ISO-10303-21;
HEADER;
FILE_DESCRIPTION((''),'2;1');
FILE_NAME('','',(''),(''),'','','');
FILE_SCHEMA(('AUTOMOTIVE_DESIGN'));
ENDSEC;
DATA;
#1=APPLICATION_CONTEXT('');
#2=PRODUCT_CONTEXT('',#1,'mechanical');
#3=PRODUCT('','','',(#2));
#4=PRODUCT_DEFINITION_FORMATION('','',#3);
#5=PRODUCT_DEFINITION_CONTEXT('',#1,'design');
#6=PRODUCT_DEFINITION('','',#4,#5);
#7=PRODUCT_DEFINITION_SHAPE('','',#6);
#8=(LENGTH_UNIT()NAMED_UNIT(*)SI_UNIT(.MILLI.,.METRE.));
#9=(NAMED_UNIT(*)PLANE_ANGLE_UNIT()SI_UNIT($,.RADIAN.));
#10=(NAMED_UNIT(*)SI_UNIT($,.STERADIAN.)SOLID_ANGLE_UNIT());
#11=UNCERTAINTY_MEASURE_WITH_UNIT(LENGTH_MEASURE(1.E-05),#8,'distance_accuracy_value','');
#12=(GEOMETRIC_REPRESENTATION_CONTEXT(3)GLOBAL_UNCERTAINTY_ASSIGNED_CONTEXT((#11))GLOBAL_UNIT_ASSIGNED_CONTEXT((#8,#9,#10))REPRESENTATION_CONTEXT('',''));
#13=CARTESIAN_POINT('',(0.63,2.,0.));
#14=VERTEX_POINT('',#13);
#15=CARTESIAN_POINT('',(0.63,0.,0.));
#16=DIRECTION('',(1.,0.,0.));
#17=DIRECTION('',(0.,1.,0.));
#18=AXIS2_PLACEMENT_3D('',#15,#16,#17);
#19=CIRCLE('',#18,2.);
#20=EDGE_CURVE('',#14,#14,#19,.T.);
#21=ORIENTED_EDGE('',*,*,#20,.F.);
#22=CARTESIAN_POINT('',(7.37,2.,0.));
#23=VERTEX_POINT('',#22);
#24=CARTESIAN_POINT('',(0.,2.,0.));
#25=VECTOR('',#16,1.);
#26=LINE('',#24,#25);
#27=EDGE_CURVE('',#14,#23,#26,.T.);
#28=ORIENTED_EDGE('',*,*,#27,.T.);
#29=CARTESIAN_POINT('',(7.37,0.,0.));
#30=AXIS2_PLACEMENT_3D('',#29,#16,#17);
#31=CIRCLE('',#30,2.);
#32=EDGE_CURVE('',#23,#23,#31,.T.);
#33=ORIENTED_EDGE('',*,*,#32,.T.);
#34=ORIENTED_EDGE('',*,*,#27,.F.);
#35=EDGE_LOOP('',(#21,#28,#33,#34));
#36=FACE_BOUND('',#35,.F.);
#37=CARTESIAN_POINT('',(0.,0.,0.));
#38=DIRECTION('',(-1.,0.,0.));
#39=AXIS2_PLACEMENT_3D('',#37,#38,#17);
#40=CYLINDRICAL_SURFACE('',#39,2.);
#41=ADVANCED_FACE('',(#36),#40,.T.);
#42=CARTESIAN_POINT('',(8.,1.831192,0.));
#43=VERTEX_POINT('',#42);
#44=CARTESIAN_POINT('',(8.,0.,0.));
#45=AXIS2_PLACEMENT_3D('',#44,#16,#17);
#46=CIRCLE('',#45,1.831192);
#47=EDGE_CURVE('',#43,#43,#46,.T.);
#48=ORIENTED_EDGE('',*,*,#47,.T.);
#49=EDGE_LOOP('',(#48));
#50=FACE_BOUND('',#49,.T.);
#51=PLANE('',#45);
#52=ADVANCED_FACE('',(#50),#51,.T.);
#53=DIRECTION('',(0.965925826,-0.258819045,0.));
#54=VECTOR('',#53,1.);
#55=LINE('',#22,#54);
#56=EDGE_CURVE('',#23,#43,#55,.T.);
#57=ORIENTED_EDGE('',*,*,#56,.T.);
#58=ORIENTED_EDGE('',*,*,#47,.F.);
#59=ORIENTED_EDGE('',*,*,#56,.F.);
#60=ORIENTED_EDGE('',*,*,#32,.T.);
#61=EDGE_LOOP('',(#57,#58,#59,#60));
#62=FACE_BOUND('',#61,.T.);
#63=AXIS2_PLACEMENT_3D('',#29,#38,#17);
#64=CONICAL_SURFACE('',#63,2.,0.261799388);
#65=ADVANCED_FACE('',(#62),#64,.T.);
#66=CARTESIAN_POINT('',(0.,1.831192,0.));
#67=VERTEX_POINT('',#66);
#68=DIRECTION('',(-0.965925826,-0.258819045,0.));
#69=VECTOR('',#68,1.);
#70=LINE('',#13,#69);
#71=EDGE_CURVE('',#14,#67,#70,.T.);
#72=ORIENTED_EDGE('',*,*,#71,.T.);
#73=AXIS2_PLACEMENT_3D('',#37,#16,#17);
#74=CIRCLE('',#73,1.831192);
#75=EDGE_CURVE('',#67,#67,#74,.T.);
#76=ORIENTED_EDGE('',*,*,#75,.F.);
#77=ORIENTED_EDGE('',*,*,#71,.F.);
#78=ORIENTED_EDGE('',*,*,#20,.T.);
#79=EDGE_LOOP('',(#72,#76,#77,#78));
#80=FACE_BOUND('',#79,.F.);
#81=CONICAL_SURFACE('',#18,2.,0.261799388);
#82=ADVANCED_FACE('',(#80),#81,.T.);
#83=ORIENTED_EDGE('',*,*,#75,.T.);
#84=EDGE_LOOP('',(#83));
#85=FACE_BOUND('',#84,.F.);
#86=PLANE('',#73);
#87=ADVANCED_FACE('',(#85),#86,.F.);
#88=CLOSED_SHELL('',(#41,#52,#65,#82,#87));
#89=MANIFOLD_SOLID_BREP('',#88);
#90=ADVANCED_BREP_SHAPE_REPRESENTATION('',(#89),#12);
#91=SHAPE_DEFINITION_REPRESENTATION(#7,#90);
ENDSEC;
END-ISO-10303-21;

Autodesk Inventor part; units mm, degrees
ref_plane "YZ Plane" through (0, 0, 0) normal (1, 0, 0) x (0, 1, 0)
ref_plane "XZ Plane" through (0, 0, 0) normal (0, 1, 0) x (-1, 0, 0)
ref_plane "XY Plane" through (0, 0, 0) normal (0, 0, 1) x (1, 0, 0)
sketch "Skizze" plane through (0, 0, 0) normal (1, 0, 0) x (0, 1, 0)
  circle A0 centre (0, 0) radius 2
  dimension "d1" = 4
extrude "Körper" add sketch "Skizze" along normal blind 8
chamfer "Fase1" distance 0.63 angle 15 1 edges at (0, -2, 0) measured on face at (5.3333, 1.9935, -0.1609)
chamfer "Skizze2" distance 0.63 angle 15 1 edges at (8, -2, 0) measured on face at (5.5433, 1.9741, -0.3208)
equation "\"d1\" = NND"
equation "\"d2\" = NLG"
equation "\"d4\" = PHH"
equation "\"d5\" = FAWI"
equation "\"d11\" = PHH"
equation "\"d8\" = PHH"
equation "\"d9\" = FAWI"
equation "\"d12\" = PHH"
equation "\"NND\" = 4"
equation "\"NLG\" = 8"
equation "\"PHH\" = 0.63"
equation "\"FAWI\" = 15deg"
equation "\"KAH\" = 0"
properties part number "ISO 2338 - 4 m6 x 8" material "Edelstahl, austenitisch"
